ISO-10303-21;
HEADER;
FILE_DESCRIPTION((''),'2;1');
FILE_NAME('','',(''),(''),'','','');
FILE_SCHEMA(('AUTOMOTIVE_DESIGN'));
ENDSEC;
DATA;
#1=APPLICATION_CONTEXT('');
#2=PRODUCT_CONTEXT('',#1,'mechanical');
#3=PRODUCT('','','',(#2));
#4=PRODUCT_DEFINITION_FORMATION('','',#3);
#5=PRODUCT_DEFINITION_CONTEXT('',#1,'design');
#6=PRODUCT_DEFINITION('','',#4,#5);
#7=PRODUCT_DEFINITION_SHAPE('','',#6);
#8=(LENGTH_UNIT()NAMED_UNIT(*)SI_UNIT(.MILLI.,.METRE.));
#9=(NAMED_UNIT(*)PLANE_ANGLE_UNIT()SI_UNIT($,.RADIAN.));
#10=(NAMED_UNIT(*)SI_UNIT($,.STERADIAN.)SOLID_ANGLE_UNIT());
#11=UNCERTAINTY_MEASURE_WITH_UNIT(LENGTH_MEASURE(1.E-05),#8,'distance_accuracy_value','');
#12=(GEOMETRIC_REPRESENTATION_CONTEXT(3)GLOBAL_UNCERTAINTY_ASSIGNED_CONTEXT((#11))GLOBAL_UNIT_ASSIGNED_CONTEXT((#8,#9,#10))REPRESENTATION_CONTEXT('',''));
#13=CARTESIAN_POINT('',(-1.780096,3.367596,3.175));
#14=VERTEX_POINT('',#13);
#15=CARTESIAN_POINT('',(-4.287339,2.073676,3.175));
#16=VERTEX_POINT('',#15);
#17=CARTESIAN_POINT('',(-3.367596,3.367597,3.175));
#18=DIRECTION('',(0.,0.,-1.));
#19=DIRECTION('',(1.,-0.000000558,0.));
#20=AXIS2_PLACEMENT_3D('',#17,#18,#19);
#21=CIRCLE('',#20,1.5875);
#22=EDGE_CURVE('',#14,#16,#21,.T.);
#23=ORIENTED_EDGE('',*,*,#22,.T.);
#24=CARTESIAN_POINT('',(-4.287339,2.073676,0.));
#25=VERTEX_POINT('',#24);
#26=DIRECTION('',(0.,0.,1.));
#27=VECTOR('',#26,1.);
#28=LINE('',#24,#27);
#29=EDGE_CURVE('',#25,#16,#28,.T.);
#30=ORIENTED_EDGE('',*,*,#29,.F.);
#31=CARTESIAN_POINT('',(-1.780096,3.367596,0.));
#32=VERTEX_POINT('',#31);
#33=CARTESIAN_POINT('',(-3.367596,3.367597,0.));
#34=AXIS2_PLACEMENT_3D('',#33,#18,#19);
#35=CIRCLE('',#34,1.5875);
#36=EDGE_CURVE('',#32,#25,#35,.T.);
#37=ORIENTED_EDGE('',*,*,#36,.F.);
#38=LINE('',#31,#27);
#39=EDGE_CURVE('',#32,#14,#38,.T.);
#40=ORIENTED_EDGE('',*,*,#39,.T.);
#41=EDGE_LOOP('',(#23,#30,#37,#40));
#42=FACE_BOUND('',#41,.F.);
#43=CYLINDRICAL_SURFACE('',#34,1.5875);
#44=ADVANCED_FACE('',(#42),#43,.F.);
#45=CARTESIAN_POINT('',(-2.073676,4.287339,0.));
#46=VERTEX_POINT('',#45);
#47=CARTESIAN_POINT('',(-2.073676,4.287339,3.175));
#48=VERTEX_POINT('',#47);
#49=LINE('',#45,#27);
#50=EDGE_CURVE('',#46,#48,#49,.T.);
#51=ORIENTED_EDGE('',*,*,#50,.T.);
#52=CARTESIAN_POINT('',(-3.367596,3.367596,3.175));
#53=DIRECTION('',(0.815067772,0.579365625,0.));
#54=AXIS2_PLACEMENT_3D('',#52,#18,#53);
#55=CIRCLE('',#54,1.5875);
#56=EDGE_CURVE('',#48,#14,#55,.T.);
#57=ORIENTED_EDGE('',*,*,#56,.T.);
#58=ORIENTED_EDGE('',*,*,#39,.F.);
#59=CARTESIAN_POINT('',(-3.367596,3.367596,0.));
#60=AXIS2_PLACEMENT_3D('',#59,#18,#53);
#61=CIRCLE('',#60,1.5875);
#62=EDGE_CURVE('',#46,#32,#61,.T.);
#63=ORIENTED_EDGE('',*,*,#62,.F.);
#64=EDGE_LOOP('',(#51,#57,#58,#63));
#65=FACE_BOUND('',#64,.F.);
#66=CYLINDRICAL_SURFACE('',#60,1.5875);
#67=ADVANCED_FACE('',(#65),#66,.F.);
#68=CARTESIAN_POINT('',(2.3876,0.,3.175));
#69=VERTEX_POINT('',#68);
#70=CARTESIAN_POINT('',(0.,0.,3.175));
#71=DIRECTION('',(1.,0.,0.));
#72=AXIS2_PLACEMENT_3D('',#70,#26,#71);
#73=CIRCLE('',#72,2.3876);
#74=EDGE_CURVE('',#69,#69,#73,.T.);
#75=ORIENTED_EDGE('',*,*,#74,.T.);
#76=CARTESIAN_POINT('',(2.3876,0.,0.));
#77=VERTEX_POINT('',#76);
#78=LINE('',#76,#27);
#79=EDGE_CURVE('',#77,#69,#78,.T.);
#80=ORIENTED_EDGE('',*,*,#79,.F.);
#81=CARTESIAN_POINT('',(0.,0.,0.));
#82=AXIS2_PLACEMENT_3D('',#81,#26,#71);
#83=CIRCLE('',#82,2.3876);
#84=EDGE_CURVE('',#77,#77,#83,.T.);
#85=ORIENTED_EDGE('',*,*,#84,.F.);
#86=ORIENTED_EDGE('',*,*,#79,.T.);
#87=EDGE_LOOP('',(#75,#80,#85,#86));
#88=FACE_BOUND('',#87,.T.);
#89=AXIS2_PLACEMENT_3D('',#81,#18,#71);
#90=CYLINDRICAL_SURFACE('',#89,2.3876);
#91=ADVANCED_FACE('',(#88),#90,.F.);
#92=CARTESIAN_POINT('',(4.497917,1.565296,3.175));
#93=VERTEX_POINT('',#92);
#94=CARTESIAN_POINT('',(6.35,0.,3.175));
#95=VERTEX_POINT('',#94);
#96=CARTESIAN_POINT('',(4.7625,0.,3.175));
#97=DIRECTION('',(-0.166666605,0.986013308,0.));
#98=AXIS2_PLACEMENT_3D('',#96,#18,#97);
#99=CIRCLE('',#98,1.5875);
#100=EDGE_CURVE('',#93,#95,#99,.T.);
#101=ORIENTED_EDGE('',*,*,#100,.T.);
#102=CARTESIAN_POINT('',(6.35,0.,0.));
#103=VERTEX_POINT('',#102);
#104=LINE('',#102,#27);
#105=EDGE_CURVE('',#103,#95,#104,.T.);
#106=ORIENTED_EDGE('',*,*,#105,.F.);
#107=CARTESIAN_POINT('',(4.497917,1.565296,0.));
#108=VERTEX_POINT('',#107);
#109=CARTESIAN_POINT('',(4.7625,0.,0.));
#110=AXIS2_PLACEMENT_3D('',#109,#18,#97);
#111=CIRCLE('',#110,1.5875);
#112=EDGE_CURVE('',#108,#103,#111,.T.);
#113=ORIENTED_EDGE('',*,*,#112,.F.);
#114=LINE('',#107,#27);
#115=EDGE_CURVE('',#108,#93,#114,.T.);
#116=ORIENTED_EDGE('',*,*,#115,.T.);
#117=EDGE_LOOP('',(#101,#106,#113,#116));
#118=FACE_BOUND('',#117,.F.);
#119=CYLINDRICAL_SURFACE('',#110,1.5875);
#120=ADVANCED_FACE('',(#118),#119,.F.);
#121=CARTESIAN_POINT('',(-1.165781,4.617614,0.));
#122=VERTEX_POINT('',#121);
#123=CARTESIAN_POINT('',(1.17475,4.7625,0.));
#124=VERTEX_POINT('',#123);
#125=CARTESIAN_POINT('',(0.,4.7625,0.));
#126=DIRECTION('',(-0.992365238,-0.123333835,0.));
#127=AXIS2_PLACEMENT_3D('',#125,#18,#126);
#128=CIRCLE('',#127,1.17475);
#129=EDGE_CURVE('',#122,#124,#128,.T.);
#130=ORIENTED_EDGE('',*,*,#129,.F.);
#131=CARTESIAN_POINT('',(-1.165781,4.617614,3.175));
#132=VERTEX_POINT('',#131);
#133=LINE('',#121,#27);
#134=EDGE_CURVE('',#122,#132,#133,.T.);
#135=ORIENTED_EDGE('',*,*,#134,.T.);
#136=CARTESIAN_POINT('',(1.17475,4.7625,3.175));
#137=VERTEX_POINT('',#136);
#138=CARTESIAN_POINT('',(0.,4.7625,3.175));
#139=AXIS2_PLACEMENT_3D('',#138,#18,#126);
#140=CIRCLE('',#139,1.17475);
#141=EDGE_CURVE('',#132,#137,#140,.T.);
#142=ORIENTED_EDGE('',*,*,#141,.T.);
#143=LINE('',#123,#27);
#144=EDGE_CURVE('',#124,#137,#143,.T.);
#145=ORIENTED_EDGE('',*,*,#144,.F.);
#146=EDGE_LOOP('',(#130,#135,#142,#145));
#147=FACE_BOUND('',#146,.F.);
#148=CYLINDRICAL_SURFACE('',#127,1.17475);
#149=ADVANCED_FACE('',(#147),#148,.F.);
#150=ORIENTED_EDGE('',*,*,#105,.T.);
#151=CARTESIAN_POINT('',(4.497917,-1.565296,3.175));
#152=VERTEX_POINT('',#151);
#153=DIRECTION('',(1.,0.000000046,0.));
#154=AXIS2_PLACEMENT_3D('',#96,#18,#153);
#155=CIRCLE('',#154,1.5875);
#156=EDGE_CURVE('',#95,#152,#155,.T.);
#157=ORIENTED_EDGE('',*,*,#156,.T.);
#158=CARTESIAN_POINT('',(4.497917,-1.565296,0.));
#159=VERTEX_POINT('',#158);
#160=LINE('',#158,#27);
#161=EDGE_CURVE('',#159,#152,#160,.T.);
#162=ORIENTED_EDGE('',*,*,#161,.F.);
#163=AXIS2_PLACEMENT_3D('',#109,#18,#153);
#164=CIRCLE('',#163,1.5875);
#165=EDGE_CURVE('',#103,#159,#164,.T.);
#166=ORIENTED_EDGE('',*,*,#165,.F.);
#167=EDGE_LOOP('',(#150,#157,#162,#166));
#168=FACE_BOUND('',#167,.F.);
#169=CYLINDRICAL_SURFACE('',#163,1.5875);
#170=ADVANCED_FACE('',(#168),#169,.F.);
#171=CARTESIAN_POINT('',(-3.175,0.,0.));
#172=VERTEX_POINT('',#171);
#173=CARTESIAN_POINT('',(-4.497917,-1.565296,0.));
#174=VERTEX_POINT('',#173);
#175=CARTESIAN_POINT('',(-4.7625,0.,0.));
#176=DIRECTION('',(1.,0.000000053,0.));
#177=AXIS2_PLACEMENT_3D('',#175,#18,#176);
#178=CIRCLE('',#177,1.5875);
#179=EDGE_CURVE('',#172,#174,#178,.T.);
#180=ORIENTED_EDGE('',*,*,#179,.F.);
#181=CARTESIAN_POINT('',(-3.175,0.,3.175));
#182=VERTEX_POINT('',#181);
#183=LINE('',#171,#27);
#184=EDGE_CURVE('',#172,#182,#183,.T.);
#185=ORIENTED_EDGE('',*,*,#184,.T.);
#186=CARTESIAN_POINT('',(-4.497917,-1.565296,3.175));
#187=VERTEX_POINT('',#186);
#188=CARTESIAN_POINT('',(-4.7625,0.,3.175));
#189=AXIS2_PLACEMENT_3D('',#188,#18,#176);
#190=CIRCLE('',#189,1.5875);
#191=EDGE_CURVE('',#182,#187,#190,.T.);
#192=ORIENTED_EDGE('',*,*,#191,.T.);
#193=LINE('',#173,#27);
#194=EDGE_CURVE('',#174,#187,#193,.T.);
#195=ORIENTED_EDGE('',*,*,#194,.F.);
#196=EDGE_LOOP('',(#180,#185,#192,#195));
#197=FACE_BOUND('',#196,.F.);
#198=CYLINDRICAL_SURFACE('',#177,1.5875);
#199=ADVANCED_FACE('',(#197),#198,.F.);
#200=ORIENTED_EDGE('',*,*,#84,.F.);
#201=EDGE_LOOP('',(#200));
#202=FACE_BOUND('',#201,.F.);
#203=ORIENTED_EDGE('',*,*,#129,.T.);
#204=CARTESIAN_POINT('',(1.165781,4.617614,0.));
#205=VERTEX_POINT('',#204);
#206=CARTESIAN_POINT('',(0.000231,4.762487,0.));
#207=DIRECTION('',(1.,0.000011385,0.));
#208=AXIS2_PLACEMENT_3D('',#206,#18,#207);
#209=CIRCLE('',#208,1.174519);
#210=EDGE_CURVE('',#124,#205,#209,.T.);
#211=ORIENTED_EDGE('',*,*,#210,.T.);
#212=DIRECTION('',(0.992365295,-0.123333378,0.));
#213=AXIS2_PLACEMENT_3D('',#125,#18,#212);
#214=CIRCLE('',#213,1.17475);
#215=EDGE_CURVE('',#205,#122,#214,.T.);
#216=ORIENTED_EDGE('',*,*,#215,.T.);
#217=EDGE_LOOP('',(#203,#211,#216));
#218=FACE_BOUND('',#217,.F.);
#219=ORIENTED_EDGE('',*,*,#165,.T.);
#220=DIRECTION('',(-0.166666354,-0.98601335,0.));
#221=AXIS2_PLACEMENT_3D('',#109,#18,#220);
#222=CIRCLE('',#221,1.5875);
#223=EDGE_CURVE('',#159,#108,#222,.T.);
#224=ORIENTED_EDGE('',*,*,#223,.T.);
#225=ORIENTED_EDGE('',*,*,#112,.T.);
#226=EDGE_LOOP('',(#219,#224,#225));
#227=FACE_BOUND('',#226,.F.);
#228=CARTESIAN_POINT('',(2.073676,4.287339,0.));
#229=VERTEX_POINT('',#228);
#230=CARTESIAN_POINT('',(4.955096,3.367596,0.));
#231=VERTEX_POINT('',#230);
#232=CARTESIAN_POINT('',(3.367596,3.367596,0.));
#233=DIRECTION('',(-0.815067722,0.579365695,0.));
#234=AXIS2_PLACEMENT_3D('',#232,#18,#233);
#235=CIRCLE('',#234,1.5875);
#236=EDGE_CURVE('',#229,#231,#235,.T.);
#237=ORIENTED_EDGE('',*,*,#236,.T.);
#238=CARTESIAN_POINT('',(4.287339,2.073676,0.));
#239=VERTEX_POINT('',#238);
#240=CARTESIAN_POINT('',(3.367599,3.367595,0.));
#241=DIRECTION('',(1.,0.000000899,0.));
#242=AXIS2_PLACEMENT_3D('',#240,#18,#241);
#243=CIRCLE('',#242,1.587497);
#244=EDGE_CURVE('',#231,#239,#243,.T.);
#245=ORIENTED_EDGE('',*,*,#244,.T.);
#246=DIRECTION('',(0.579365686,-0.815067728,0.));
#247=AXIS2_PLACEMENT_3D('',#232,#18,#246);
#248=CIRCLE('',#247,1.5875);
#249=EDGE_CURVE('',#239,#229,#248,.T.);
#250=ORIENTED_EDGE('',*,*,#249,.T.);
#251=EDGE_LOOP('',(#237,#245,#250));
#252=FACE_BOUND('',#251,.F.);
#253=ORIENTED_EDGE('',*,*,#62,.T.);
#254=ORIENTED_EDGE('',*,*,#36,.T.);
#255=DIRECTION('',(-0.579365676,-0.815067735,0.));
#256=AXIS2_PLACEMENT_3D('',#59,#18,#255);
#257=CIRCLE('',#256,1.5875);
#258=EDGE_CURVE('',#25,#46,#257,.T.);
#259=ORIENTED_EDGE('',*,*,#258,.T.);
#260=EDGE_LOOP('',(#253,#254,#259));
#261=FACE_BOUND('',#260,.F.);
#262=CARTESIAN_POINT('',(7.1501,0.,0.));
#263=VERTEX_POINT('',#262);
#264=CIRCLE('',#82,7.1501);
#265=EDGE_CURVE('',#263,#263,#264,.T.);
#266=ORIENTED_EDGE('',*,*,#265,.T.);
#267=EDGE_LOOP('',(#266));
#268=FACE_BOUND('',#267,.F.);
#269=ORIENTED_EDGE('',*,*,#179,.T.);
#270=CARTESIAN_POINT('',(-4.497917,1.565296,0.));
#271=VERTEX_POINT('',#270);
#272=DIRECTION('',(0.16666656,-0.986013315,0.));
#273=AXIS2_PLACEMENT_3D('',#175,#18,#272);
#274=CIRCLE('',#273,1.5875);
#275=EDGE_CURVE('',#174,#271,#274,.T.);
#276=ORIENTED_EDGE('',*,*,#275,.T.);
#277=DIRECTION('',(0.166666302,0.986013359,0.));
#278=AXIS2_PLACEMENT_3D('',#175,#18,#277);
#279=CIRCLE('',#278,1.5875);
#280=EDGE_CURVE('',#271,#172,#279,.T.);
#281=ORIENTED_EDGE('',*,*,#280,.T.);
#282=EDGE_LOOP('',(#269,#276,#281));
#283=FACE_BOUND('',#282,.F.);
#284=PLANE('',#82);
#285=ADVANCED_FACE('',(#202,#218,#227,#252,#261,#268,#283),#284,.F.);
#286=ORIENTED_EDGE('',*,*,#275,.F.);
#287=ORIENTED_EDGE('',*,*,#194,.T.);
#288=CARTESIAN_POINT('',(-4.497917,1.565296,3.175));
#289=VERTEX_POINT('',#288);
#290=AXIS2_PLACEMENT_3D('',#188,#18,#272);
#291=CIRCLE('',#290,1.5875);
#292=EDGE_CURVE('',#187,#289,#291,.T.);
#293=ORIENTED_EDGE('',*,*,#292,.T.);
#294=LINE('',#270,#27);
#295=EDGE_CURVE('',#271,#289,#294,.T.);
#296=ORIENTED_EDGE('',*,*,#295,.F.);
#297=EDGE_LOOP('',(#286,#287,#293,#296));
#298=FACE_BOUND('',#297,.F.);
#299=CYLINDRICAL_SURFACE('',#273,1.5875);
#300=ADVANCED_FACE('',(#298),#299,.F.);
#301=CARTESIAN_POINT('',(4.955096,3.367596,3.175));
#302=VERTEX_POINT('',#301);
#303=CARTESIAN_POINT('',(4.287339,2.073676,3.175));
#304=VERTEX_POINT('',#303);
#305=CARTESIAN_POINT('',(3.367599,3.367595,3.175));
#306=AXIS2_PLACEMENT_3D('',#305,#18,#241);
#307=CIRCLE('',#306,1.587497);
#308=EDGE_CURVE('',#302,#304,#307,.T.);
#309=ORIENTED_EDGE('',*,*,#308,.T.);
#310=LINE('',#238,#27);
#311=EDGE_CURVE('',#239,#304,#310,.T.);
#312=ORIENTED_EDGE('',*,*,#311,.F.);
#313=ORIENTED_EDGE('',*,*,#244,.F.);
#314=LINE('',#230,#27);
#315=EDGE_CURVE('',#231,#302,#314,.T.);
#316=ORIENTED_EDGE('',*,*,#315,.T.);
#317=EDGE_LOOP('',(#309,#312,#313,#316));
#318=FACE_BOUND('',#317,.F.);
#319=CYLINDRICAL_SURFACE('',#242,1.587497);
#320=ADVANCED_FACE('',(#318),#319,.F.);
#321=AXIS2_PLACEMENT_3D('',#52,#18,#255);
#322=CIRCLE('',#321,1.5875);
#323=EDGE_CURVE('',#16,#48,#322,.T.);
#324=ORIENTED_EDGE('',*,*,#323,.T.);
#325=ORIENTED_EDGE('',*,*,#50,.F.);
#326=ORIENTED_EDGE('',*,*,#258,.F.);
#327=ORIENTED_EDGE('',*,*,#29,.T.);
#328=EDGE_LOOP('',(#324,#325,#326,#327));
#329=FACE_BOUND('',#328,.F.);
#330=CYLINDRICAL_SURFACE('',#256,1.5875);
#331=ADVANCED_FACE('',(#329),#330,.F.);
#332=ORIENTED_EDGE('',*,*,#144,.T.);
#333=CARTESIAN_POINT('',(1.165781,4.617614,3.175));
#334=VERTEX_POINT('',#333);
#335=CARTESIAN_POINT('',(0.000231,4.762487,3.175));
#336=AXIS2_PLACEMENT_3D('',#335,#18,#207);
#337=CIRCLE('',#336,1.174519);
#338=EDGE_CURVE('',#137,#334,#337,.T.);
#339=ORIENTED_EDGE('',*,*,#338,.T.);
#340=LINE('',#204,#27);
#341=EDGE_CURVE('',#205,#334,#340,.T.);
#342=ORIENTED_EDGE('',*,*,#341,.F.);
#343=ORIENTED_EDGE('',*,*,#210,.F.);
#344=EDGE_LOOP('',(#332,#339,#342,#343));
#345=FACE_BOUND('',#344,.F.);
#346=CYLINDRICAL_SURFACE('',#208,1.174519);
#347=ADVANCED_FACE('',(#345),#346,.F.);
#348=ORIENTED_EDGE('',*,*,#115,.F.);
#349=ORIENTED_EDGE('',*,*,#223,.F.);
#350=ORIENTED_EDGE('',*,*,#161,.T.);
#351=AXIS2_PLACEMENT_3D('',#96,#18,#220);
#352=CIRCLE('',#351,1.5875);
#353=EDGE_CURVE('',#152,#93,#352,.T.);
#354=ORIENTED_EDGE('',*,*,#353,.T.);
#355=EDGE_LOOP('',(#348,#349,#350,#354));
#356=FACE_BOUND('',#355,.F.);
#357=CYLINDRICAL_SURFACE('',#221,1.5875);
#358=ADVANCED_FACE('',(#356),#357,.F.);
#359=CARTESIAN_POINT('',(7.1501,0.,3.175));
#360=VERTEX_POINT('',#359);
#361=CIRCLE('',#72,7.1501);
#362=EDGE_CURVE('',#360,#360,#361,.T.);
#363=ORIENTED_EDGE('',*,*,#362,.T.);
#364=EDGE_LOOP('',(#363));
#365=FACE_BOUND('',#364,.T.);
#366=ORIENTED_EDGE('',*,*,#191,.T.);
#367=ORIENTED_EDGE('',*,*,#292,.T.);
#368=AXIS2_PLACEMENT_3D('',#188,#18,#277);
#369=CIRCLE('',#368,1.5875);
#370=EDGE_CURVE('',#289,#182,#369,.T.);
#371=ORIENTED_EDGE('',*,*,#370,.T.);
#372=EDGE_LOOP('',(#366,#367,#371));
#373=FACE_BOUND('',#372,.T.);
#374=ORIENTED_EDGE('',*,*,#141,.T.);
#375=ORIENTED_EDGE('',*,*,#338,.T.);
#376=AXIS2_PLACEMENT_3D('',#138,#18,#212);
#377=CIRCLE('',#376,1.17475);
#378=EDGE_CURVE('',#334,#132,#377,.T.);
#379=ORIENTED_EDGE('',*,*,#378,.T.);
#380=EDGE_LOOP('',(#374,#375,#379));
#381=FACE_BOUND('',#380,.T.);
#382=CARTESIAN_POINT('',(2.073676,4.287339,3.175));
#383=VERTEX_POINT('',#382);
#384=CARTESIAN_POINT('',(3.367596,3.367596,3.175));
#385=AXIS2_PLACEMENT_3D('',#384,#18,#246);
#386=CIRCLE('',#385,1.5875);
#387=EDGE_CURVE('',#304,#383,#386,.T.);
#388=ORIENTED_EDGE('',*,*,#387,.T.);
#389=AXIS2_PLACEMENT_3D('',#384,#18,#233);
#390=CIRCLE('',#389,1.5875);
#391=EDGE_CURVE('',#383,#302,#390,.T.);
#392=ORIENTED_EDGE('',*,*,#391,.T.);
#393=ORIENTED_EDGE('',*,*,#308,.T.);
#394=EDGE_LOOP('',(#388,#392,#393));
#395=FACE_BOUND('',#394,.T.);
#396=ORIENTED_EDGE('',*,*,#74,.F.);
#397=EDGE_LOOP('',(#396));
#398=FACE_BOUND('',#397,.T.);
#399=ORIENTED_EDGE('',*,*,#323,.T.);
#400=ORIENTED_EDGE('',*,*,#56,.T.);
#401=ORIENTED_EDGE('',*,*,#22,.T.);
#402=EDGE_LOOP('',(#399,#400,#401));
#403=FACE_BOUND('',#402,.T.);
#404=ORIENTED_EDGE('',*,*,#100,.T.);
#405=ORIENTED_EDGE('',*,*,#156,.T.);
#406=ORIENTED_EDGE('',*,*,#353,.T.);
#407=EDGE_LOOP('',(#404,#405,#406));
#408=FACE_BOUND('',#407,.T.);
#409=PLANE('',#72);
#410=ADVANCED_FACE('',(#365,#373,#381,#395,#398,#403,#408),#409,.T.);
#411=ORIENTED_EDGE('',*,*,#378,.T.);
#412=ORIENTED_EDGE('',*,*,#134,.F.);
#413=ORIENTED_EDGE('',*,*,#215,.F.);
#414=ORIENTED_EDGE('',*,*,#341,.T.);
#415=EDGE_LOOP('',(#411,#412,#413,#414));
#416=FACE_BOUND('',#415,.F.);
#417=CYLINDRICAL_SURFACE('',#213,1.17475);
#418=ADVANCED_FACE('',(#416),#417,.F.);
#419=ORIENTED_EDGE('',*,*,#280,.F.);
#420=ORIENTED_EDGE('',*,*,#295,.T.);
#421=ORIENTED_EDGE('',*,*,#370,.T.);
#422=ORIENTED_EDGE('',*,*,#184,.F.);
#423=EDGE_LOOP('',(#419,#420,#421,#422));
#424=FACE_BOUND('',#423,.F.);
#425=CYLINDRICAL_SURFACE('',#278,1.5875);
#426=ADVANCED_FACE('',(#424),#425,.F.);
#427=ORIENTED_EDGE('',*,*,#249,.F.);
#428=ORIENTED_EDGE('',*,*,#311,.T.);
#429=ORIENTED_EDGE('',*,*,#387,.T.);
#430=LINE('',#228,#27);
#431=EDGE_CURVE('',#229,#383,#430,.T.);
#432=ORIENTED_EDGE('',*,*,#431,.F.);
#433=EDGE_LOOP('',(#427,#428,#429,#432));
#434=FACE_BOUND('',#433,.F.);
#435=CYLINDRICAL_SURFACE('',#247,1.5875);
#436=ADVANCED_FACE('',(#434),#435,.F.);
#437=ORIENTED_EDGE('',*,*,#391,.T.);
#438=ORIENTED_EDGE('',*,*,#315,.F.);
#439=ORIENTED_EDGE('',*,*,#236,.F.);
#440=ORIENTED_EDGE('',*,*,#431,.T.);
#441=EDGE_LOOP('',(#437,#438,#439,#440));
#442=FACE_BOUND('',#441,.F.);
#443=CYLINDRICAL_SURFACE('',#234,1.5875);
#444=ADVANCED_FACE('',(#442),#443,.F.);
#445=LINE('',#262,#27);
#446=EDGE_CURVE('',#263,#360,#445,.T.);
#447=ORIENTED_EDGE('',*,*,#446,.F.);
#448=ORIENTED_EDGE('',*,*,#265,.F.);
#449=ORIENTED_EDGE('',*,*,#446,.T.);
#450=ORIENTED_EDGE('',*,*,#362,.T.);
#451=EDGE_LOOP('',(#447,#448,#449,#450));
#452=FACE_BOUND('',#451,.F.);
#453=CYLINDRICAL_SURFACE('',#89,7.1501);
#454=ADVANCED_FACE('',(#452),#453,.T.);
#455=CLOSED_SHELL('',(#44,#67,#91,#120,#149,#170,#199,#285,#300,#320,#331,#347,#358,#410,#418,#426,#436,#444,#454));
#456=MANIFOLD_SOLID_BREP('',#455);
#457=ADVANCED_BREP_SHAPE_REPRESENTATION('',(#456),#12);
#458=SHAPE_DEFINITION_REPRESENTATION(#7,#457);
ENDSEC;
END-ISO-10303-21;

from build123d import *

# Parameters (mm, degrees)
F0_R     = 7.1501
F0_R_2   = 2.3876
F1_DEPTH = 3.175


with BuildPart() as f1:
    # F0 (on Top) → F1 (new body)
    with BuildSketch(Plane.XY):
        Circle(F0_R)
        with BuildLine():
            ThreePointArc((4.287339, 2.073676), (4.399976, 1.82253), (4.497917, 1.565296))
            ThreePointArc((4.497917, 1.565296), (5.787227, 1.212473), (6.35, 0))
            ThreePointArc((6.35, 0), (5.787227, -1.212473), (4.497917, -1.565296))
            ThreePointArc((4.497917, -1.565296), (0, -4.7625), (-4.497917, -1.565296))
            ThreePointArc((-4.497917, -1.565296), (-6.35, 0), (-4.497917, 1.565296))
            ThreePointArc((-4.497917, 1.565296), (-4.399976, 1.82253), (-4.287339, 2.073676))
            ThreePointArc((-4.287339, 2.073676), (-4.490128, 4.490128), (-2.073676, 4.287339))
            ThreePointArc((-2.073676, 4.287339), (-1.628125, 4.475558), (-1.165781, 4.617614))
            ThreePointArc((-1.165781, 4.617614), (-0.072582, 5.935006), (1.17475, 4.7625))
            ThreePointArc((1.17475, 4.7625), (1.172506, 4.689918), (1.165781, 4.617614))
            ThreePointArc((1.165781, 4.617614), (1.628125, 4.475558), (2.073676, 4.287339))
            ThreePointArc((2.073676, 4.287339), (3.850327, 4.879921), (4.955096, 3.367596))
            ThreePointArc((4.955096, 3.367596), (4.778314, 2.639563), (4.287339, 2.073676))
        make_face(mode=Mode.SUBTRACT)
        with BuildLine():
            ThreePointArc((4.497917, -1.565296), (3.175, 0), (4.497917, 1.565296))
            ThreePointArc((4.497917, 1.565296), (4.399976, 1.82253), (4.287339, 2.073676))
            ThreePointArc((4.287339, 2.073676), (2.245064, 2.245064), (2.073676, 4.287339))
            ThreePointArc((2.073676, 4.287339), (1.628125, 4.475558), (1.165781, 4.617614))
            ThreePointArc((1.165781, 4.617614), (0, 3.58775), (-1.165781, 4.617614))
            ThreePointArc((-1.165781, 4.617614), (-1.628125, 4.475558), (-2.073676, 4.287339))
            ThreePointArc((-2.073676, 4.287339), (-1.855271, 3.850327), (-1.780096, 3.367596))
            ThreePointArc((-1.780096, 3.367596), (-2.639563, 1.956879), (-4.287339, 2.073676))
            ThreePointArc((-4.287339, 2.073676), (-4.399976, 1.82253), (-4.497917, 1.565296))
            ThreePointArc((-4.497917, 1.565296), (-3.550027, 1.024727), (-3.175, 0))
            ThreePointArc((-3.175, 0), (-3.550027, -1.024727), (-4.497917, -1.565296))
            ThreePointArc((-4.497917, -1.565296), (0, -4.7625), (4.497917, -1.565296))
        make_face()
        Circle(F0_R_2, mode=Mode.SUBTRACT)
    extrude(amount=F1_DEPTH)


solid = f1.part
